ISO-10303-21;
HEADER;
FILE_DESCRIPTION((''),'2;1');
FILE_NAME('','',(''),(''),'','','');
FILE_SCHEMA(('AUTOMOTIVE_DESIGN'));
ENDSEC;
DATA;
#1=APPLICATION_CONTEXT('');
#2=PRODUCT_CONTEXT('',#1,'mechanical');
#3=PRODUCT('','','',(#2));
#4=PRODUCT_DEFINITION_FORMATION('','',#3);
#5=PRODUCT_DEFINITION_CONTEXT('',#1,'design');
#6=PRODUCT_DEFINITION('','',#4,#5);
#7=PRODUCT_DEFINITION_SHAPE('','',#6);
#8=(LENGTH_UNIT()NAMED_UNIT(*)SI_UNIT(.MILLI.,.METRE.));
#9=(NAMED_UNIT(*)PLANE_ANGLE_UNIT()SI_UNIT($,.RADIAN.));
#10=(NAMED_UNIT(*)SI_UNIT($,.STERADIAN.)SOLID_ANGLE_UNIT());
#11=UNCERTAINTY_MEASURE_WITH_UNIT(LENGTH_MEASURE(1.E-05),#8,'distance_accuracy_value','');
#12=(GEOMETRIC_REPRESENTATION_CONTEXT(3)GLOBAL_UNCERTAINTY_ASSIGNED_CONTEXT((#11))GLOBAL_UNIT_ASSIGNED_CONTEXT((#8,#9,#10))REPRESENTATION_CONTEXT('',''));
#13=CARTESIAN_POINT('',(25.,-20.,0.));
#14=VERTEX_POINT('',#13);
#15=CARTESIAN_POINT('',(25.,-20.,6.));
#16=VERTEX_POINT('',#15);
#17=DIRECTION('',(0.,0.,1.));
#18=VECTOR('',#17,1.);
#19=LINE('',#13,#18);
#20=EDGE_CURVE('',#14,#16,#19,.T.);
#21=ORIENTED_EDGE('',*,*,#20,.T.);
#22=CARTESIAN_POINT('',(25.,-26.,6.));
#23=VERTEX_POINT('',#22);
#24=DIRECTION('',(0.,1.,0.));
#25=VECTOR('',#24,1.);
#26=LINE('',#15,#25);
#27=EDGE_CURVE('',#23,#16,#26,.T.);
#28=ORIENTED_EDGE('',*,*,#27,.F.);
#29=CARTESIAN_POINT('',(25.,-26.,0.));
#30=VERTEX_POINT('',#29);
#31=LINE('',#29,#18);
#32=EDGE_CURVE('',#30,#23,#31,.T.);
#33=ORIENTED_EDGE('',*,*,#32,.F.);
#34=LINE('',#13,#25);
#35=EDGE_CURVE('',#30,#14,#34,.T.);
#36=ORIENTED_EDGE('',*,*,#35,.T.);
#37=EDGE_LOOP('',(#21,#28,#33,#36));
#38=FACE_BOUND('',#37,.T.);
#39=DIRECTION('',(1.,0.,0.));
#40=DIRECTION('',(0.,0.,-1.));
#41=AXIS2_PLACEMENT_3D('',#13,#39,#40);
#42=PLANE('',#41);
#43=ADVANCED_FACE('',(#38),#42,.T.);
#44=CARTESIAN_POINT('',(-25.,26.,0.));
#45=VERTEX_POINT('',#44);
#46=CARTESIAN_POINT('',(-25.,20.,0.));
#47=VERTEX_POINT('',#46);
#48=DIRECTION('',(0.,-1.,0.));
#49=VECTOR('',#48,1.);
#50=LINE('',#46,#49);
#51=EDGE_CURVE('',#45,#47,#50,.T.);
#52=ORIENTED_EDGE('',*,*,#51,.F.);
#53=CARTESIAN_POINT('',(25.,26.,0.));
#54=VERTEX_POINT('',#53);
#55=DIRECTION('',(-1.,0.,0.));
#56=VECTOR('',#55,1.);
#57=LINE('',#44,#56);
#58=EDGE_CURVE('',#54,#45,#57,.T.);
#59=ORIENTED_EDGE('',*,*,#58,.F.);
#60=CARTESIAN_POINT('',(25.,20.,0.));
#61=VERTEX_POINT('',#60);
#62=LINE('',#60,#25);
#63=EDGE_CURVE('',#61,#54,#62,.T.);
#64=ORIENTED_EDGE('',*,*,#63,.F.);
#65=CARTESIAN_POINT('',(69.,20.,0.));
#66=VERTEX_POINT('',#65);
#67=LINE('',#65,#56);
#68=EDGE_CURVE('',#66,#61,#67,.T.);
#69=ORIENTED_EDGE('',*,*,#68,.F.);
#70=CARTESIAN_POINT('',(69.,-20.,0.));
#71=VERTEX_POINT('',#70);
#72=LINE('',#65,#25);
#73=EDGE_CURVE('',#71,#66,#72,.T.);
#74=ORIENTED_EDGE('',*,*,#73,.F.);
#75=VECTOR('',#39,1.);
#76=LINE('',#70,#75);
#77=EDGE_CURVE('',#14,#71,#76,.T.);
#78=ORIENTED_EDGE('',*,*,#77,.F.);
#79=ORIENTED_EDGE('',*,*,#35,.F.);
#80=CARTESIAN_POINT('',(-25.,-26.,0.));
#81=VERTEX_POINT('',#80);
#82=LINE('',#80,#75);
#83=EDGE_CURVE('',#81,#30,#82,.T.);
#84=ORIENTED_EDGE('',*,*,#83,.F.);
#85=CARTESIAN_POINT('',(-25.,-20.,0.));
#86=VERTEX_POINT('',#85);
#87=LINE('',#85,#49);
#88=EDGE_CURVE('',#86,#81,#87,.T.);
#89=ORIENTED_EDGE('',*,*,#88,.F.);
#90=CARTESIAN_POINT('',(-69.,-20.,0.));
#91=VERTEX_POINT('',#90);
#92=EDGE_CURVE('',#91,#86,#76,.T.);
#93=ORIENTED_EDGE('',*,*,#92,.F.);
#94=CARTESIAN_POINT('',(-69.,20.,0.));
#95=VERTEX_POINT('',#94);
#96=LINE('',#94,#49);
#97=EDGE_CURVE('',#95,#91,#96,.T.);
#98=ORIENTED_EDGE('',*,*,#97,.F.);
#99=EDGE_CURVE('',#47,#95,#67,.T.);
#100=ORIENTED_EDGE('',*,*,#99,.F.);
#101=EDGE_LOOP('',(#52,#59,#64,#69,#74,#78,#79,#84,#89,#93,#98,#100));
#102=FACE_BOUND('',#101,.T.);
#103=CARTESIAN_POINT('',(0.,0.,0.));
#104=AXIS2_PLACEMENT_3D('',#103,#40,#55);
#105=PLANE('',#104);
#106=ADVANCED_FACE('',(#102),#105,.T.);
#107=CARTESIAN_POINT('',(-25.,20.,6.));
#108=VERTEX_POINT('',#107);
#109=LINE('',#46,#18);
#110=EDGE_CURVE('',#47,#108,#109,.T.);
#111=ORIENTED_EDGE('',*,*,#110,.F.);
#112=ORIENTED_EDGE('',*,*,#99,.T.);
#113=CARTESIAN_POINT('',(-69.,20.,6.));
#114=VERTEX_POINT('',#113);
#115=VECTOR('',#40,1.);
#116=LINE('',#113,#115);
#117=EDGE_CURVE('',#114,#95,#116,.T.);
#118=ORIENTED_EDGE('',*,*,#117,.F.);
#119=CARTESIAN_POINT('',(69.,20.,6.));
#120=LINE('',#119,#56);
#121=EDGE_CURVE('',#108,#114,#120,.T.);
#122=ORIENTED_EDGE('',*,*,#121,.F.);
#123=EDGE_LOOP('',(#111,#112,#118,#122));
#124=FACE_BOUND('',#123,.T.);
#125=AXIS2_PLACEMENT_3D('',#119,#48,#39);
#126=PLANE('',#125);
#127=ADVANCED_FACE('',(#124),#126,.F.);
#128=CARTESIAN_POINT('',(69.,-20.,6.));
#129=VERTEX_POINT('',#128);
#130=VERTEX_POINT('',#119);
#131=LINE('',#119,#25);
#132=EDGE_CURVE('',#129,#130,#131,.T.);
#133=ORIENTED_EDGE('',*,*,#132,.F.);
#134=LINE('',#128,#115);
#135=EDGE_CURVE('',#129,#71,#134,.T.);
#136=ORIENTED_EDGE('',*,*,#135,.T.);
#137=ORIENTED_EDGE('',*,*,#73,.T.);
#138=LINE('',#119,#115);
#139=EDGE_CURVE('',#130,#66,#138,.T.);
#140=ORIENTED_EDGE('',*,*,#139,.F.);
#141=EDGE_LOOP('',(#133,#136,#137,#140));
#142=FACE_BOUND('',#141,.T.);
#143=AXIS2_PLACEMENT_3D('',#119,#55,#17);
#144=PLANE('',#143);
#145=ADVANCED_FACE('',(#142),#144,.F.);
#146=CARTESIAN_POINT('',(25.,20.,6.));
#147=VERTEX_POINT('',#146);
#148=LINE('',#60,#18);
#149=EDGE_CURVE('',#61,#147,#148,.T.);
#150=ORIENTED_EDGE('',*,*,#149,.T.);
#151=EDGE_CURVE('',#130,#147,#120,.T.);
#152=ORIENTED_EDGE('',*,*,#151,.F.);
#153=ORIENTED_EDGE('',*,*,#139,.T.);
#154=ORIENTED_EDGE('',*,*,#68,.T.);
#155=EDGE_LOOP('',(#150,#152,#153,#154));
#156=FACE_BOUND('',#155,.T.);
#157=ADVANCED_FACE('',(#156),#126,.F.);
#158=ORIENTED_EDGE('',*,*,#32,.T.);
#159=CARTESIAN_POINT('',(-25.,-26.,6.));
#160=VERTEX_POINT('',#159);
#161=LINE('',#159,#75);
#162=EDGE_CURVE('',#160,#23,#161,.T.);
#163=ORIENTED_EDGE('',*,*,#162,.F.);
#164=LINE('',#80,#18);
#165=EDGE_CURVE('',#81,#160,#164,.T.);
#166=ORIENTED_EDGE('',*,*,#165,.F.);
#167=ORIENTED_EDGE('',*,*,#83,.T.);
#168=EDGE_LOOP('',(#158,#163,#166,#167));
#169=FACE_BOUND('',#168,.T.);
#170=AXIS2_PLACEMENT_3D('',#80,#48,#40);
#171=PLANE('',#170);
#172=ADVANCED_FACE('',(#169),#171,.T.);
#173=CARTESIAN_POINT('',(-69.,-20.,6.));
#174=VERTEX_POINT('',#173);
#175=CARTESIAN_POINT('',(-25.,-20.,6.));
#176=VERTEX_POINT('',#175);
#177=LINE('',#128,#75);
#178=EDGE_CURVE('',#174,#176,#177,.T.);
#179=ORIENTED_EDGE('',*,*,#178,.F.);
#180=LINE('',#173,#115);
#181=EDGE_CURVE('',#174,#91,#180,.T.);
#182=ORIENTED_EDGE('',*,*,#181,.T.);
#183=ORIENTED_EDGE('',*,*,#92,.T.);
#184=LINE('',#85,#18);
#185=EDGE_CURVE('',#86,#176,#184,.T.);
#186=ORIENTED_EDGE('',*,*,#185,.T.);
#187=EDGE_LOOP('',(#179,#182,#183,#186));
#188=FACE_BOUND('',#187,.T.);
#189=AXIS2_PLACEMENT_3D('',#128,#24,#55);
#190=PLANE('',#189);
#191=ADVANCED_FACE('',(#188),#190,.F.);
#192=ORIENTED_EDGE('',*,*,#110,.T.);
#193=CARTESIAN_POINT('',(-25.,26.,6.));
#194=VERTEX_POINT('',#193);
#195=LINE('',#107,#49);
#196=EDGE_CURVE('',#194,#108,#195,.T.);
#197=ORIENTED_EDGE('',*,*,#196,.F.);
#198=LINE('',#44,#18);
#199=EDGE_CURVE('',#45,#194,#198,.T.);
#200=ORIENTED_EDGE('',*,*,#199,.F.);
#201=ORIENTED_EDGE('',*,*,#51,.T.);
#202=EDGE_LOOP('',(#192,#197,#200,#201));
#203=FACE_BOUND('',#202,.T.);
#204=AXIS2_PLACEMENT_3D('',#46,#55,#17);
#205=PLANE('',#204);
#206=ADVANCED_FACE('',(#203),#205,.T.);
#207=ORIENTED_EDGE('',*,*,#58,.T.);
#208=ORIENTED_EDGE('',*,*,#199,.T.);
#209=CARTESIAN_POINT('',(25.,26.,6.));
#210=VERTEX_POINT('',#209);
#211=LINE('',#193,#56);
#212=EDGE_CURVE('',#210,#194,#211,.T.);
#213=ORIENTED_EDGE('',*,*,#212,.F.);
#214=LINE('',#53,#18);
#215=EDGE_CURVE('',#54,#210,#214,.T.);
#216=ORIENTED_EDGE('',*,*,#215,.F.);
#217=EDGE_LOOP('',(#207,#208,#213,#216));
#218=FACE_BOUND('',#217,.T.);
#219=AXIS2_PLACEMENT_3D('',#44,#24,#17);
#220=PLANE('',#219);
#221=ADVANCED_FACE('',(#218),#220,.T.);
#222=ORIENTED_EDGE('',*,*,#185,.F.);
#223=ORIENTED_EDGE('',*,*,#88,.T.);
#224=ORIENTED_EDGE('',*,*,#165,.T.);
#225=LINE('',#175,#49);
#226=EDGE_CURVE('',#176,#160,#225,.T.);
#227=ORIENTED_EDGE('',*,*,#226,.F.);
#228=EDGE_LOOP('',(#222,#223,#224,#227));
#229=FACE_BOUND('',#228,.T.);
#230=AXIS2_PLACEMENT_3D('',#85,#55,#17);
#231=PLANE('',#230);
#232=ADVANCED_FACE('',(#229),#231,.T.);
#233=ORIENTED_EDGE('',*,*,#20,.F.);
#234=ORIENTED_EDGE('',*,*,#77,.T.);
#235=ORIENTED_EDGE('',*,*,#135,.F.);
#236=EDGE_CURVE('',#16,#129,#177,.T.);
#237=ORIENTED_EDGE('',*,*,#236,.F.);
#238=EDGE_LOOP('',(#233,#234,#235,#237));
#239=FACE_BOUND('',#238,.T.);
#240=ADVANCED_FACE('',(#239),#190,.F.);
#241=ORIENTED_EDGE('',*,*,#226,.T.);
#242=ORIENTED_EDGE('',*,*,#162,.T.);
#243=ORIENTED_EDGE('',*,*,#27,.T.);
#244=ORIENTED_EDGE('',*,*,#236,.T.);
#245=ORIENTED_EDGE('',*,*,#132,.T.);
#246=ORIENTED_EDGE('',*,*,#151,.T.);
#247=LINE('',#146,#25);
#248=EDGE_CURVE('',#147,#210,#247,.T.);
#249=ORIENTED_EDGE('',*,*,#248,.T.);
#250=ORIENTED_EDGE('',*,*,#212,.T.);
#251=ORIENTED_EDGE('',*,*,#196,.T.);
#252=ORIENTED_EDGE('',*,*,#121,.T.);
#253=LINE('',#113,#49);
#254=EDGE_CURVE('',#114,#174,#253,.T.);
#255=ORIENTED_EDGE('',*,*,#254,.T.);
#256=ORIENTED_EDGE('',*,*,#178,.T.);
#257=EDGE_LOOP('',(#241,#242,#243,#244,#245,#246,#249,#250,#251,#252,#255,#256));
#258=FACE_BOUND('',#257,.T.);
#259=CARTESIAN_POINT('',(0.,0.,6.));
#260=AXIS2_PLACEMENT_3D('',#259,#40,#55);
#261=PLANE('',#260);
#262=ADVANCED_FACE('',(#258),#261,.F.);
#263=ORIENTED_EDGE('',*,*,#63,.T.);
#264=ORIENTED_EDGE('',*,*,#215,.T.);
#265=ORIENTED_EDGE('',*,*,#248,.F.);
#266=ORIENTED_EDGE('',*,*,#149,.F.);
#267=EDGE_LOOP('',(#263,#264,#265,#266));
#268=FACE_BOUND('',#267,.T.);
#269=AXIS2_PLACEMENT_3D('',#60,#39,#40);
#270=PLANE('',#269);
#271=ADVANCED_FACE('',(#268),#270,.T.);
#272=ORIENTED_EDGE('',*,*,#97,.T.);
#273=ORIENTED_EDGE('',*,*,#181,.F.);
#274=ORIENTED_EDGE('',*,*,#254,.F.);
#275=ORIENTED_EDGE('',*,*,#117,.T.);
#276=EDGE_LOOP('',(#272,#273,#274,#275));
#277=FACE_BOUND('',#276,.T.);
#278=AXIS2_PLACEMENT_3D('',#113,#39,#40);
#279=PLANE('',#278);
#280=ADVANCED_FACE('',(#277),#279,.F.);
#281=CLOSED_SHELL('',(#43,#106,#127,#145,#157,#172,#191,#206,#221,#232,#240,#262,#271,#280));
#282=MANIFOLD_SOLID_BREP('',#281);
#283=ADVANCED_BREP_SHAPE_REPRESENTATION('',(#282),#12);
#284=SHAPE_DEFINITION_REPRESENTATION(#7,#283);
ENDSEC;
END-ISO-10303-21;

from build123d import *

# Parameters (mm, degrees)
ESQUISSE1_W        = 138
ESQUISSE1_H        = 40
BOSS_EXTRU_1_DEPTH = 6
ESQUISSE2_W        = 50
ESQUISSE2_H        = 6
BOSS_EXTRU_2_DEPTH = 6


with BuildPart() as part:
    # Esquisse1 → Boss.-Extru.1 (new body)
    with BuildSketch(Plane.XY):
        Rectangle(ESQUISSE1_W, ESQUISSE1_H)
    extrude(amount=BOSS_EXTRU_1_DEPTH)

    # Esquisse2 → Boss.-Extru.2 (add)
    with BuildSketch(Plane.XY.offset(6)):
        with Locations((0, 23)):
            Rectangle(ESQUISSE2_W, ESQUISSE2_H)
        with Locations((0, -23)):
            Rectangle(ESQUISSE2_W, ESQUISSE2_H)
    extrude(amount=-BOSS_EXTRU_2_DEPTH)


solid = part.part
